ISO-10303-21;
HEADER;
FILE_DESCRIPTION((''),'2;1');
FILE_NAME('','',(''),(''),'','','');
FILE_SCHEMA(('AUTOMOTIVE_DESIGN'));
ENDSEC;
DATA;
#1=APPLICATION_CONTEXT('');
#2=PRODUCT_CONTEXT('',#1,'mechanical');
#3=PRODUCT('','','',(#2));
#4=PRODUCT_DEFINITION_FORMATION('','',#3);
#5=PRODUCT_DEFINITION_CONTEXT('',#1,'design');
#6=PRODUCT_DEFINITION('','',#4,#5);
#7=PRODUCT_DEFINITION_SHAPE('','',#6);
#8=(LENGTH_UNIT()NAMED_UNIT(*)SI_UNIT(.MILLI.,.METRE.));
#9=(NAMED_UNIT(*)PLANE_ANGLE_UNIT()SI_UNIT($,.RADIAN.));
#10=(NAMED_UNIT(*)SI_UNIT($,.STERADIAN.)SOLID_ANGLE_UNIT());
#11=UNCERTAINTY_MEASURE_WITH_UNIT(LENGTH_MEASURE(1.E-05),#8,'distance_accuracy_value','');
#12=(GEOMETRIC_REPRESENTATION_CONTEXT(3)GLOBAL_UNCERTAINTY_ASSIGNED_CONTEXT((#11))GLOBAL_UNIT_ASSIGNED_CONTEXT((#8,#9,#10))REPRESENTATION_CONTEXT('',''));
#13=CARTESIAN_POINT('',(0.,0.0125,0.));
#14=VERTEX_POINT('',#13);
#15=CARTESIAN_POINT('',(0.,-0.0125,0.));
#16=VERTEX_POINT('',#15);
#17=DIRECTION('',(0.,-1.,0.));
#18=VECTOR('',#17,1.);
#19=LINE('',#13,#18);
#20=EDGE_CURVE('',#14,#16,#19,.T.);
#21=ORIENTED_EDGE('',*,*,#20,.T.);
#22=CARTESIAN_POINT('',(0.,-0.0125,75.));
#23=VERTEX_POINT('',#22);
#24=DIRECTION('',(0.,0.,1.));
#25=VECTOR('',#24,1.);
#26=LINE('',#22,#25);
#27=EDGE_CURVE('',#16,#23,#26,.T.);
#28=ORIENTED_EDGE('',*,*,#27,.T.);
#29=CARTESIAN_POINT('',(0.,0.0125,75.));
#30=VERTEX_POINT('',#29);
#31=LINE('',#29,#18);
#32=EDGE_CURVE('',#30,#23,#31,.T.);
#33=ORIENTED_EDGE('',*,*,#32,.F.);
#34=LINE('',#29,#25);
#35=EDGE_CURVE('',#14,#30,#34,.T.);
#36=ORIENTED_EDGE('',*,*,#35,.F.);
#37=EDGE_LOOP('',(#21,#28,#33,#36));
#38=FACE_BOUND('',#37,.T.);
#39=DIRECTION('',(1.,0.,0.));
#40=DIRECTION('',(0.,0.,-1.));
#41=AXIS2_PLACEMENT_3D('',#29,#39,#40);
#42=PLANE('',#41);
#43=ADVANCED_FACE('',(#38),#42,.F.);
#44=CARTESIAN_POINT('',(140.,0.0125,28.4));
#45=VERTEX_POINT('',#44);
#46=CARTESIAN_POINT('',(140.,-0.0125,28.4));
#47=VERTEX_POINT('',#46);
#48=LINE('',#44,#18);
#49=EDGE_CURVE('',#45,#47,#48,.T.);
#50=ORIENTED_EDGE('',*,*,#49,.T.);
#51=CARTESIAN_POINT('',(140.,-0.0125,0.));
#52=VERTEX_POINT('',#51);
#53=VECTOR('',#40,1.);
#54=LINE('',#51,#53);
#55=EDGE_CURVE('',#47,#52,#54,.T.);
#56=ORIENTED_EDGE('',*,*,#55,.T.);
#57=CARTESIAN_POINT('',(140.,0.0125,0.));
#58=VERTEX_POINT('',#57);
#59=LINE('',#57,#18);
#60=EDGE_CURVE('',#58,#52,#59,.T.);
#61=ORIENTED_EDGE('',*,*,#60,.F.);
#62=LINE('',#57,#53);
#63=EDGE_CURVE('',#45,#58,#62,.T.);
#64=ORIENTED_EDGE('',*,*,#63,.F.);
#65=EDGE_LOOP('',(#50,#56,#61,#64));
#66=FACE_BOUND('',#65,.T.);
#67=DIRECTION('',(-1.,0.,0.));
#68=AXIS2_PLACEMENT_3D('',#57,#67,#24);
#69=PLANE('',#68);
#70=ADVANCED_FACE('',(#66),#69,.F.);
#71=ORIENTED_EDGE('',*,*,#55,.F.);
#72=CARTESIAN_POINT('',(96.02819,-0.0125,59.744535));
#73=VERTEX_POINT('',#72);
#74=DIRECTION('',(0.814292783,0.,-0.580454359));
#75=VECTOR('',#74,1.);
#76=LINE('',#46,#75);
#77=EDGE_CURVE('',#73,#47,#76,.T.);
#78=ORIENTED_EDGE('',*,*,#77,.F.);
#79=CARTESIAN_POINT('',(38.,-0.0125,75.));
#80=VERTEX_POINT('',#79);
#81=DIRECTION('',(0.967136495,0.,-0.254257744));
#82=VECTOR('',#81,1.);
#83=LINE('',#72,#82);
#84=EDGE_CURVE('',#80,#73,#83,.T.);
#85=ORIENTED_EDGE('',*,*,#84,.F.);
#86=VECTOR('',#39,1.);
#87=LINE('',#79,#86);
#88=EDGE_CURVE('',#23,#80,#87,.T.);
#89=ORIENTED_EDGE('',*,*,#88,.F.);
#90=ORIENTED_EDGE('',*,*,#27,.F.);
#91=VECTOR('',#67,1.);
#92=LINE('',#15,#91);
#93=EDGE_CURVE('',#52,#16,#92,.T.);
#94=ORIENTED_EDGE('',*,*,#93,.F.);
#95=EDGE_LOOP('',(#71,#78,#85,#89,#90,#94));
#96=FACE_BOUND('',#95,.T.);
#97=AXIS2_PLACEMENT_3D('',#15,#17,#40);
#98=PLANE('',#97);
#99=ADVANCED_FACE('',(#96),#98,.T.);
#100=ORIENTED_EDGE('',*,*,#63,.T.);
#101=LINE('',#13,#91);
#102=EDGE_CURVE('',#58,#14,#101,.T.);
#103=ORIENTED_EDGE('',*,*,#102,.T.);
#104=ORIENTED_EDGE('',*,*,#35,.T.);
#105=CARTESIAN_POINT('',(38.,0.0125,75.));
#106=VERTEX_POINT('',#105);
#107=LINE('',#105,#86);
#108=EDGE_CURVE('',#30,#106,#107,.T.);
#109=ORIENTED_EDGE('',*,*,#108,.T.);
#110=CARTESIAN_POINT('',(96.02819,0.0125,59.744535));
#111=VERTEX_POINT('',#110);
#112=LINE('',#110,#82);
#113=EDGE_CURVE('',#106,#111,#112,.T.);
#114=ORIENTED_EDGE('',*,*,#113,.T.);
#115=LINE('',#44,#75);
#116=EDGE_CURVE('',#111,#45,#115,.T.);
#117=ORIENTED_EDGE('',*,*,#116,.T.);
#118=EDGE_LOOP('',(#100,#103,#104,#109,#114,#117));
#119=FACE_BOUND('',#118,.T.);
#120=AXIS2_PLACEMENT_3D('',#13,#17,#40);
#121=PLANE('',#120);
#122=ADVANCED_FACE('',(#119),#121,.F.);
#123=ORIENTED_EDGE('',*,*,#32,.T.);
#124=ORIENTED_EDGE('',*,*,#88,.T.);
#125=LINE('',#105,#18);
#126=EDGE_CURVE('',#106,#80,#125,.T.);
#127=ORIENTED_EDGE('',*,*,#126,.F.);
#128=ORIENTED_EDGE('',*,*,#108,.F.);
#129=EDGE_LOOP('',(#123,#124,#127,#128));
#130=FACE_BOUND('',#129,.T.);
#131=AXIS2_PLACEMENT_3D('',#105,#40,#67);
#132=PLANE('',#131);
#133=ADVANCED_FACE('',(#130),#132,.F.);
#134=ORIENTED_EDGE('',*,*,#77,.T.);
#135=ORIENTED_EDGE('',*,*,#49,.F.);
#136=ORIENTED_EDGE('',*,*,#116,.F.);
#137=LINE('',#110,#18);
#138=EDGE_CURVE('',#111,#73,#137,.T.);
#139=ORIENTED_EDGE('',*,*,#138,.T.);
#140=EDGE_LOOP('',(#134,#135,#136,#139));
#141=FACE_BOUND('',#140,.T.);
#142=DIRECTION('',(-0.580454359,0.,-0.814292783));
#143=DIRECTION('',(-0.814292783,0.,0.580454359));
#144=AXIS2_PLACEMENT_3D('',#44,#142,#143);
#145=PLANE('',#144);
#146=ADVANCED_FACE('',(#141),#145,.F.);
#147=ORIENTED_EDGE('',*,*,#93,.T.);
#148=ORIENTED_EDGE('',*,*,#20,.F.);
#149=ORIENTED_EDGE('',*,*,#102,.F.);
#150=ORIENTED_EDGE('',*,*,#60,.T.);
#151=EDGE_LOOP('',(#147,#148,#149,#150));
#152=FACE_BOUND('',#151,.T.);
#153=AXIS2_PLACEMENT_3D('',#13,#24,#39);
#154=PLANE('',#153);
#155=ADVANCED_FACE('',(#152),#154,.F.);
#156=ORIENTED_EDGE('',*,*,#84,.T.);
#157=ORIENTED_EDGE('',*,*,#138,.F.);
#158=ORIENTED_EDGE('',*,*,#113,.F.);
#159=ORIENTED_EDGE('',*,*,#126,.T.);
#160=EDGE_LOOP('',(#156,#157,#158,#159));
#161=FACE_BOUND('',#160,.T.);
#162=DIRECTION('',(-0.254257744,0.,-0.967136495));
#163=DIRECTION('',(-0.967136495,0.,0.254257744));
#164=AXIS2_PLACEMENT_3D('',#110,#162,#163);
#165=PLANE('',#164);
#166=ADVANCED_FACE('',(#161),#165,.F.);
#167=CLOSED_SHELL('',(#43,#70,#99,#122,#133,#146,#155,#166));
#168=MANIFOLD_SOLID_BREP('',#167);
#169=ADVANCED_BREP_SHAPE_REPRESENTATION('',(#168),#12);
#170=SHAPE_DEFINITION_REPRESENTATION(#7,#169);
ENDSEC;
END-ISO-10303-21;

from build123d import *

# Parameters (mm, degrees)
EXTRUDE_1_DEPTH = 0.0125


with BuildPart() as part:
    # 草图1 → 凸台-拉伸1 (new, symmetric)
    with BuildSketch(Plane(origin=(0, 0, 0), x_dir=(1, 0, 0), z_dir=(0, 1, 0))):
        Polygon((0, 0), (140, 0), (140, -28.4), (96.028189696, -59.744535387), (38, -75), (0, -75), align=None)
    extrude(amount=EXTRUDE_1_DEPTH, both=True)


solid = part.part
